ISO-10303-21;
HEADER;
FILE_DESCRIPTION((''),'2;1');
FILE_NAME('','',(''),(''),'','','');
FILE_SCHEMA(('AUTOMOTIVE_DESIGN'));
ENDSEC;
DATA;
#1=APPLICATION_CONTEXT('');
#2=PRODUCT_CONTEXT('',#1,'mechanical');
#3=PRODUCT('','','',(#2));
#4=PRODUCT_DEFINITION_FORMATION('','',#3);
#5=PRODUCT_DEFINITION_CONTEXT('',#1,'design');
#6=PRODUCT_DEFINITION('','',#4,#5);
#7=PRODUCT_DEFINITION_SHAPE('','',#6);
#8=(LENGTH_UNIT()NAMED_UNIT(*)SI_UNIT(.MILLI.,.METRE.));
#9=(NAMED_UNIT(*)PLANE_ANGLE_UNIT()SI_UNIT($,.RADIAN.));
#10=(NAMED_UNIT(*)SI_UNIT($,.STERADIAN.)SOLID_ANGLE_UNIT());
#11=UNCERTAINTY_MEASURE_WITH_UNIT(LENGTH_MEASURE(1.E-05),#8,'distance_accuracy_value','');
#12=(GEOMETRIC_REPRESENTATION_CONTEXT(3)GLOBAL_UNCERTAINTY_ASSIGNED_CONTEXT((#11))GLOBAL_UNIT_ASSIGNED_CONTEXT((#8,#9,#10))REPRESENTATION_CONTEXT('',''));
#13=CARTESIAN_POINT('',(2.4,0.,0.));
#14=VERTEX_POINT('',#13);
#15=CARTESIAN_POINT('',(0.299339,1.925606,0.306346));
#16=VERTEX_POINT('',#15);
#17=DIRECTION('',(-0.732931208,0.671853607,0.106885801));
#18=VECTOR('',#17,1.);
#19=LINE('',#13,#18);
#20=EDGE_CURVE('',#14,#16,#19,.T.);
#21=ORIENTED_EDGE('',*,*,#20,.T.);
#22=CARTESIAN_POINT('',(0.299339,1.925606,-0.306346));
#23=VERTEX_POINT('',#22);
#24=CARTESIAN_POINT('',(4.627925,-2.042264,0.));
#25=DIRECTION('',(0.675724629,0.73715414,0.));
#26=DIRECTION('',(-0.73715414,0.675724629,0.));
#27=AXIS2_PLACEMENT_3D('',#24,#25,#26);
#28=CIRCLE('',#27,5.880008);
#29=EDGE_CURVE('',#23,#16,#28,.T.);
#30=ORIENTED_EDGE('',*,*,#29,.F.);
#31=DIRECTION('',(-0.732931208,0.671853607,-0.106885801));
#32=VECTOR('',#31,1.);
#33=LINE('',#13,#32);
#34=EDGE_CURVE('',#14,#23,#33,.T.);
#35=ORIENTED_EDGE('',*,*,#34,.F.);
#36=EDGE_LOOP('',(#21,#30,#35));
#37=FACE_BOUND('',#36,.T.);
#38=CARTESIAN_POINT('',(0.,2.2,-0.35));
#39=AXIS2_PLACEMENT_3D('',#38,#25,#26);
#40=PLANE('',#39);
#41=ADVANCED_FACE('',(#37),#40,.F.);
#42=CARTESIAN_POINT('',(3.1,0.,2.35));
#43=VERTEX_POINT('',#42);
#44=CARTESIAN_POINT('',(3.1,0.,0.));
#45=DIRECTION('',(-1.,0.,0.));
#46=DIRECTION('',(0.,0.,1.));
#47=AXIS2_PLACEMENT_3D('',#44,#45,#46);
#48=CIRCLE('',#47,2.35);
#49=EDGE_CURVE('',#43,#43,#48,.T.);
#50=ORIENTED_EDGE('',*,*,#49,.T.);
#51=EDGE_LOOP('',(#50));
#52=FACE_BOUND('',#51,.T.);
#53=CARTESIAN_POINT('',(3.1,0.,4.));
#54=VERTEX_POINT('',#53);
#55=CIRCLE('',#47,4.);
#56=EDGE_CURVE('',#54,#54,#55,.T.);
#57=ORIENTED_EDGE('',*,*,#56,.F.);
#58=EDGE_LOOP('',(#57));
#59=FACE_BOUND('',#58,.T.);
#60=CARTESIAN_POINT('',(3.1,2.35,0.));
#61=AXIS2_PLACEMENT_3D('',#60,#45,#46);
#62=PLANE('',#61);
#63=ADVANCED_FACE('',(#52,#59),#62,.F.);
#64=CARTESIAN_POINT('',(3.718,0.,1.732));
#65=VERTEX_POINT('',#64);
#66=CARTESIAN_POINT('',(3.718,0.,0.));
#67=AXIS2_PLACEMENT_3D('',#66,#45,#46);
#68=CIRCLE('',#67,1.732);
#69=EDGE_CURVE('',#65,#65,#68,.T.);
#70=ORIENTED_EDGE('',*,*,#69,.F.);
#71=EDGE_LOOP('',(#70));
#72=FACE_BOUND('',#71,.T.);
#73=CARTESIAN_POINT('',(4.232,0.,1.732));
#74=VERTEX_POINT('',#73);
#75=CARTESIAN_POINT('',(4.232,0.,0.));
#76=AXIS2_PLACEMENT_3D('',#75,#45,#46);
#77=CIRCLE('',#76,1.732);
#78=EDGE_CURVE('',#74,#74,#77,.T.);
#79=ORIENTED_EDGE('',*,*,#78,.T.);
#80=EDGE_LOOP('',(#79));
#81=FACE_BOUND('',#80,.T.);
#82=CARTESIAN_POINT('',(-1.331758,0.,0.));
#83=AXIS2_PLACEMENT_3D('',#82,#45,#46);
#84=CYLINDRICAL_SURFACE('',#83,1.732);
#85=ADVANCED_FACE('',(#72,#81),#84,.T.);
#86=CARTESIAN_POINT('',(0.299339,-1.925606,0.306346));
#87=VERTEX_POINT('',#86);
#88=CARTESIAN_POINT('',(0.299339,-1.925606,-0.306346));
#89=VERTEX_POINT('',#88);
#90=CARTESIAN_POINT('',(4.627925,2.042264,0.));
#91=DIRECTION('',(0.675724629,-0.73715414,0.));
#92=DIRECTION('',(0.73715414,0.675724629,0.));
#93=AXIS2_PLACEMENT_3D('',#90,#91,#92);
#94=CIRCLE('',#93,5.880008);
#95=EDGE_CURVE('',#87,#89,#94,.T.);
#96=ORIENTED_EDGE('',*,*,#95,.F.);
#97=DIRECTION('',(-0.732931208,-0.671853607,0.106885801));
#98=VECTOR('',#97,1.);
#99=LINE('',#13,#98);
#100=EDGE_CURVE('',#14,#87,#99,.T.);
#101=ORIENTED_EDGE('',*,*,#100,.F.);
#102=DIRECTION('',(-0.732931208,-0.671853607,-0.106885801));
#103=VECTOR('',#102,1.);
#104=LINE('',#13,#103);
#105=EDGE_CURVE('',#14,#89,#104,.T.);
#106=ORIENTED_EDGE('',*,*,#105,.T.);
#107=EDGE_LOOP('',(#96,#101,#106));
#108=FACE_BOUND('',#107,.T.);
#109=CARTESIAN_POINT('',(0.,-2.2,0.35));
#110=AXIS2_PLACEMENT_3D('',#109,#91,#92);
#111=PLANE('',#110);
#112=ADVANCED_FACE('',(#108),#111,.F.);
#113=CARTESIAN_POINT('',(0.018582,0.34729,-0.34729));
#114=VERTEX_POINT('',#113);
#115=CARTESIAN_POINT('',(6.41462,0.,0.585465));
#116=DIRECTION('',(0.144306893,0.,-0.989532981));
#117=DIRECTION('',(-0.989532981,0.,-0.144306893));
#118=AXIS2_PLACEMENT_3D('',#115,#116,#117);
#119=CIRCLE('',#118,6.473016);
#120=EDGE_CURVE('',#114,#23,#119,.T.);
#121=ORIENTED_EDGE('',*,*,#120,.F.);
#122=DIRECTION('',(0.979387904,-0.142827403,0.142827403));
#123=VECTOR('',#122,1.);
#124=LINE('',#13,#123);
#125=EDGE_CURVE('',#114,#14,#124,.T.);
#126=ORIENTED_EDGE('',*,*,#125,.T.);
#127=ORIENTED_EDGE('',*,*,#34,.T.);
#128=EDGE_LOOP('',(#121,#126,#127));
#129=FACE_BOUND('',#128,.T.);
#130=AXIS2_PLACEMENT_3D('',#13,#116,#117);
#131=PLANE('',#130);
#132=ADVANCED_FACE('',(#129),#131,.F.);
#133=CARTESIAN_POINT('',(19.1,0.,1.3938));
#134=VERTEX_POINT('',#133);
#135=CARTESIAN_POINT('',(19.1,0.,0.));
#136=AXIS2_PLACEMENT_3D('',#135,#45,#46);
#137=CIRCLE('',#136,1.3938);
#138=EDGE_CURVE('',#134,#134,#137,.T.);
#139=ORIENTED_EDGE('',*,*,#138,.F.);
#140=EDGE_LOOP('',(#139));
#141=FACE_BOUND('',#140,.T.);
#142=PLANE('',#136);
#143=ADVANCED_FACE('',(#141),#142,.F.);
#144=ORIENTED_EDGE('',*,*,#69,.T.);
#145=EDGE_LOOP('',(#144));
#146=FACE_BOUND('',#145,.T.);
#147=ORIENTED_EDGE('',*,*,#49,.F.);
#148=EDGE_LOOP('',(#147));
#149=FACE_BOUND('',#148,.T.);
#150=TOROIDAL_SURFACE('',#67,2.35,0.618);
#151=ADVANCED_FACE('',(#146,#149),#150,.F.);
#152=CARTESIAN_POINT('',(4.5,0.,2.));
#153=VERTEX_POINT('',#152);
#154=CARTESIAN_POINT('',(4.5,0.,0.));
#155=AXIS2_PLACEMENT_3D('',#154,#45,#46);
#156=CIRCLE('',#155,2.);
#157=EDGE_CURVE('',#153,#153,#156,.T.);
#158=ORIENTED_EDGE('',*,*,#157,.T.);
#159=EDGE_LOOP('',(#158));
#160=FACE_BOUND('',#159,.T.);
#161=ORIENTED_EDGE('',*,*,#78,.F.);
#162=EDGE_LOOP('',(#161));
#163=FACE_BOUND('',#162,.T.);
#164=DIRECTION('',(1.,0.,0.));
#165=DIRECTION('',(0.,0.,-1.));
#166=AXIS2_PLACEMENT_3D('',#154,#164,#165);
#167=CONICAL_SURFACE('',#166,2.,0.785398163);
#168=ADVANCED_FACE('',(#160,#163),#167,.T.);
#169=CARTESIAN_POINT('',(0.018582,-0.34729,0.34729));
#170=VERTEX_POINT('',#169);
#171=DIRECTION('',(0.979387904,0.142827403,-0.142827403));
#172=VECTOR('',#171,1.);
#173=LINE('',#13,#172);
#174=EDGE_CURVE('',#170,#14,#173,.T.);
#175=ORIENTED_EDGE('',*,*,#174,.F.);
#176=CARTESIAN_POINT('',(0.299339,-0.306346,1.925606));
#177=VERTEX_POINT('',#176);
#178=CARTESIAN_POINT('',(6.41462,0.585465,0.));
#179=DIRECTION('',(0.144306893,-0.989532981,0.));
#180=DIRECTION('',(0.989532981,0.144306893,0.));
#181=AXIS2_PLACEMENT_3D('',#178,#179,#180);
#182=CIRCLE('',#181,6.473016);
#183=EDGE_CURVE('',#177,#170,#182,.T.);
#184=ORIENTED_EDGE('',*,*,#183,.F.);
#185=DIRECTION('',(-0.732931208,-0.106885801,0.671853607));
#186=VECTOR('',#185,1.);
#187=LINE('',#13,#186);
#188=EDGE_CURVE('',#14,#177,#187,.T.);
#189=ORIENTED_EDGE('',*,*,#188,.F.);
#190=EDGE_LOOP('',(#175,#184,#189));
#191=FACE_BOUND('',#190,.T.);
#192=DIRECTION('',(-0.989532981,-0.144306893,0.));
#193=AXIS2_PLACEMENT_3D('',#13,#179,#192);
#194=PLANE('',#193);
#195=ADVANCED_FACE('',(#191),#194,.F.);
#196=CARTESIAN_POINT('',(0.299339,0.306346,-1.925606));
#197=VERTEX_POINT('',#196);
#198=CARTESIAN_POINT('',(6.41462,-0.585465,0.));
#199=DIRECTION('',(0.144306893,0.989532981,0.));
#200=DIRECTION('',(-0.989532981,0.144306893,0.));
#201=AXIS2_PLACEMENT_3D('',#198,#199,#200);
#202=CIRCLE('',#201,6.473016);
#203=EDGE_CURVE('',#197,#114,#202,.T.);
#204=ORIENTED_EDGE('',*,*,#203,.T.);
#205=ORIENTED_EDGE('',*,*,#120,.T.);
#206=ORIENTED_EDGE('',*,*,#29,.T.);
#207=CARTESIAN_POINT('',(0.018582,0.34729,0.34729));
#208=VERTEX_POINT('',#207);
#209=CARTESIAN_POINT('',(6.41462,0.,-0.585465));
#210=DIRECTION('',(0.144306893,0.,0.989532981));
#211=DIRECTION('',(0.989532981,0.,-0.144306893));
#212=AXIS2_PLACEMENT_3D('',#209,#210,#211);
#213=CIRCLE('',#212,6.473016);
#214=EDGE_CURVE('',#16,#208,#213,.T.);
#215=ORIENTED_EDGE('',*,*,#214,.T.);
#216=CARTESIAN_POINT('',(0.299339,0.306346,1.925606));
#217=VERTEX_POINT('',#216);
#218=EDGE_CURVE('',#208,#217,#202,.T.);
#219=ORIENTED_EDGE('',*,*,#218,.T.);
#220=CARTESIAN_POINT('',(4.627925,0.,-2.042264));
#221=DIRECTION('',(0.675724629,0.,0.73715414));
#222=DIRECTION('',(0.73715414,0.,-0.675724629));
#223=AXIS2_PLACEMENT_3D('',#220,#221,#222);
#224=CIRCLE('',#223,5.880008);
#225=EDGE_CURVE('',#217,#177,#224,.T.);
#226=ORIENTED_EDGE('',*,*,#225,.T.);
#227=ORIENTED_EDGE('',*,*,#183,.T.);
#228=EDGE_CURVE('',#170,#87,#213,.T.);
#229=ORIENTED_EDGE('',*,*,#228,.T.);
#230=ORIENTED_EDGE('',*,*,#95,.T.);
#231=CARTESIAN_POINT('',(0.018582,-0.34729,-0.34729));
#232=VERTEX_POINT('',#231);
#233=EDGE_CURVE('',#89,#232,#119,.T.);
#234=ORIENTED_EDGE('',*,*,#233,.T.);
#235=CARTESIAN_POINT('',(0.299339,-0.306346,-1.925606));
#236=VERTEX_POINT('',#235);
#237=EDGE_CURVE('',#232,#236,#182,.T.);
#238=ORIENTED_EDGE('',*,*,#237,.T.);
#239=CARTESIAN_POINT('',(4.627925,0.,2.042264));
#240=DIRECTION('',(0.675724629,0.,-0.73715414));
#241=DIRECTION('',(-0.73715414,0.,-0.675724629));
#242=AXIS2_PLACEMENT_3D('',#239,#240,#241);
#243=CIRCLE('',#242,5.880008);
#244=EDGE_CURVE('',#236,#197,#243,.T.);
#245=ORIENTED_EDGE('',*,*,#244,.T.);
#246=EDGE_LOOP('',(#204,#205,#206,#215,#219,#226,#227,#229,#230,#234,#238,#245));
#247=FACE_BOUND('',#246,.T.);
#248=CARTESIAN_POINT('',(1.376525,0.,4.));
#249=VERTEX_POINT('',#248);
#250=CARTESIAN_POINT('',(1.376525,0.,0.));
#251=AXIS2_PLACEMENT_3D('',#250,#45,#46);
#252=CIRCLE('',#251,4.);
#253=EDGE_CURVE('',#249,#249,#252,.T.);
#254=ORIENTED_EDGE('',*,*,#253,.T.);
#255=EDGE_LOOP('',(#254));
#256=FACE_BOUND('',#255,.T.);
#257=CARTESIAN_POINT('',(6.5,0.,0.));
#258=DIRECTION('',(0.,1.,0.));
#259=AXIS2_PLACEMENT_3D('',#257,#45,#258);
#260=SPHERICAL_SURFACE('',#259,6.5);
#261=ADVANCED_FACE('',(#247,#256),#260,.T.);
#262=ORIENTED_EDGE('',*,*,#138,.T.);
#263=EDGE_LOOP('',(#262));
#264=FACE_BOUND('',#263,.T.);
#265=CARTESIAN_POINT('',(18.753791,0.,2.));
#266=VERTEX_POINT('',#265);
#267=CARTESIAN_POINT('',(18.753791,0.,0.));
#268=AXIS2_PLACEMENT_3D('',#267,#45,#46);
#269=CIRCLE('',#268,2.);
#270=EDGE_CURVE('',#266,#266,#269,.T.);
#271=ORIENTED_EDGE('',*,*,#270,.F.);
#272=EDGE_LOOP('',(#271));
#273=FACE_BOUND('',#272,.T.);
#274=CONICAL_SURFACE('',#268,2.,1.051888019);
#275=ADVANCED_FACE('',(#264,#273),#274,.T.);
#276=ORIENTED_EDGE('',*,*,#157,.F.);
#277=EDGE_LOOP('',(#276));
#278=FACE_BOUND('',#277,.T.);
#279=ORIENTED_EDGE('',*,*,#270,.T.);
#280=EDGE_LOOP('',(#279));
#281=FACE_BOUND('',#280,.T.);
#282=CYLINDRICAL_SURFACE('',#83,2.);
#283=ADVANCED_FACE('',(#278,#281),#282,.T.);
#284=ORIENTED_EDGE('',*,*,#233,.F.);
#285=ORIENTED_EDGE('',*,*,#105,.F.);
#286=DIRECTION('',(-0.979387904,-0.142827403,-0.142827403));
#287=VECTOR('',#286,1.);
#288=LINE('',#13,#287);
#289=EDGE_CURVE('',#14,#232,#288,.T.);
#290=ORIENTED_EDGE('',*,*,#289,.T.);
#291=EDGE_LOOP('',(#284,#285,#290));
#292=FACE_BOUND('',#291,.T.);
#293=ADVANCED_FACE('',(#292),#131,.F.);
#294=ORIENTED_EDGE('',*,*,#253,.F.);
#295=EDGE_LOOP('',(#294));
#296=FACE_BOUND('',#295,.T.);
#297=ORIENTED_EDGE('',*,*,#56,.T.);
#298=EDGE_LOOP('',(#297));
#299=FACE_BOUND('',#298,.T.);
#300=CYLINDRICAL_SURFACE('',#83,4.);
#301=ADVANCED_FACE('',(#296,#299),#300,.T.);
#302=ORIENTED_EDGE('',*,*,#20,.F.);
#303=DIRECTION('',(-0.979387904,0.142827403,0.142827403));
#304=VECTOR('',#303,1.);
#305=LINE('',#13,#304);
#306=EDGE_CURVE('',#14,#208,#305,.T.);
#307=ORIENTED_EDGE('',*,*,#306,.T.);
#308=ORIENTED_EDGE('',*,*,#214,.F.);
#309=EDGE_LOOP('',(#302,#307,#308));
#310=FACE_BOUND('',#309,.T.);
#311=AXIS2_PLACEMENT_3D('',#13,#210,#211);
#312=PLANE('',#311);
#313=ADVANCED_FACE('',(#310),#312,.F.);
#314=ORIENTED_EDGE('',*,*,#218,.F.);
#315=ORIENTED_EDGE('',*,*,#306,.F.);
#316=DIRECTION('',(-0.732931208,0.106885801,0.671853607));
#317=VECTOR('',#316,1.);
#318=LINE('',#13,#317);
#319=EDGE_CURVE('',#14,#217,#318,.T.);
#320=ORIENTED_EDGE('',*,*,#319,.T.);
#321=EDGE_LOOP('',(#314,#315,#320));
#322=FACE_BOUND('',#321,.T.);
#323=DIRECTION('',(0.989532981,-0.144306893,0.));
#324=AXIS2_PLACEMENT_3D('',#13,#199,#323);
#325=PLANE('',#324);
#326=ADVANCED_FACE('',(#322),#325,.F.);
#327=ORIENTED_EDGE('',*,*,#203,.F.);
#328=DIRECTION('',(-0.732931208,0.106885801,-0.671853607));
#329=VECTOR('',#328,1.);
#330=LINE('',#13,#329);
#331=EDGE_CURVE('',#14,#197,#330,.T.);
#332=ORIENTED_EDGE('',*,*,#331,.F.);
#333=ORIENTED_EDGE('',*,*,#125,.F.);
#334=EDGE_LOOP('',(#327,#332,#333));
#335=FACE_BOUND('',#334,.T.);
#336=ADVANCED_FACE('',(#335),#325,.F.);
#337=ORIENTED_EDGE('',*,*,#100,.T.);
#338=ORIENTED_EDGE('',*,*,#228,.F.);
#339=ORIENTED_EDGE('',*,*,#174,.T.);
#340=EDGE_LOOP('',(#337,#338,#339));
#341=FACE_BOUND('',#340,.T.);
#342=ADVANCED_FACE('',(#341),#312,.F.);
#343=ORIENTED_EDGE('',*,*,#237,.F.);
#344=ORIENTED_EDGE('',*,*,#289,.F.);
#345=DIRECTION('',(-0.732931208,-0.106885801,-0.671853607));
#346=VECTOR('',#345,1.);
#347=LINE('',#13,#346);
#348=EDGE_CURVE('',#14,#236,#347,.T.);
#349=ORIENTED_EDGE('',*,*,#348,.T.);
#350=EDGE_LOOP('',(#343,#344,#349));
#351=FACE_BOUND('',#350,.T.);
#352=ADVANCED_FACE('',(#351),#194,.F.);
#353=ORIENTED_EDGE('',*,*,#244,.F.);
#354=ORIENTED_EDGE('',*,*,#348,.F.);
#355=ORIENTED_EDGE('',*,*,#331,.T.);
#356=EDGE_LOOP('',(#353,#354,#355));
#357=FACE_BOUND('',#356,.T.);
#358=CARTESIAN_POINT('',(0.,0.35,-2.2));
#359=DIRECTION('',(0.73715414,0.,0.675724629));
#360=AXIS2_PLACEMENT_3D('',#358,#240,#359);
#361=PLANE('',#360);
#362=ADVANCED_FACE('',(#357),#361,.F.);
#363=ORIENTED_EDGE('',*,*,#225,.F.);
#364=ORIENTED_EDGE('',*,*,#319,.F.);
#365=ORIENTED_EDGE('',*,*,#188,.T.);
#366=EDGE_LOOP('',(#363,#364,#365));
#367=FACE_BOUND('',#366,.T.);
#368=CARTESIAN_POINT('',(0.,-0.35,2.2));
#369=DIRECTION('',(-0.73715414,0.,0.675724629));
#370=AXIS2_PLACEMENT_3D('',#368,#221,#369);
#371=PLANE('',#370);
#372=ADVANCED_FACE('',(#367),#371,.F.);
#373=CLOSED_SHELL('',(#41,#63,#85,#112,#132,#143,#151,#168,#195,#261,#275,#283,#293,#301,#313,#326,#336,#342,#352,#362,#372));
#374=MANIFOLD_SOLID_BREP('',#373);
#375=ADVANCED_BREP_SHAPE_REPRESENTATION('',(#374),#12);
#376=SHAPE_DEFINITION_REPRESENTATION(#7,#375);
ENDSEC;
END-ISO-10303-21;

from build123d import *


with BuildPart() as part:
    # 草图2 → Revolve 815 (revolve)
    with BuildSketch(Plane.XY, mode=Mode.PRIVATE) as revolve_815_sk:
        with BuildLine():
            Line((0, 0), (19.1, 0))
            Line((19.1, 0), (19.1, 2))
            Line((19.1, 2), (4.5, 2))
            Line((4.5, 2), (4.232, 1.732))
            Line((4.232, 1.732), (3.718, 1.732))
            ThreePointArc((3.718, 1.732), (3.281008009, 1.913008009), (3.1, 2.35))
            Line((3.1, 2.35), (3.1, 4))
            Line((3.1, 4), (1.376524617, 4))
            ThreePointArc((1.376524617, 4), (0.353757652, 2.115113473), (0, 0))
        make_face()
    revolve(revolve_815_sk.sketch.rotate(Axis((-1.331757704, 0, 0), (1, 0, 0)), 90), axis=Axis((-1.331757704, 0, 0), (1, 0, 0)))

    # 草图3 → 切除-旋转1 (revolve, cut)
    with BuildSketch(Plane.XY, mode=Mode.PRIVATE) as cut_revolve_1_sk:
        Polygon((18.753791204, 2), (19.453791204, 2), (19.1, 1.3938), align=None)
    revolve(cut_revolve_1_sk.sketch.rotate(Axis((-0.242766179, 0, 0), (1, 0, 0)), 90), axis=Axis((-0.242766179, 0, 0), (1, 0, 0)), mode=Mode.SUBTRACT)

    # 草图5 → 切除-放样1 section 0
    with BuildSketch(Plane(origin=(0, 0, 0), x_dir=(0, 0, -1), z_dir=(1, 0, 0)), mode=Mode.PRIVATE) as loft_1_s0:
        with BuildLine():
            Line((0.35, 2.2), (-0.35, 2.2))
            Line((-0.35, 2.2), (-0.35, -2.2))
            Line((-0.35, -2.2), (0.35, -2.2))
            Line((0.35, -2.2), (0.35, 2.2))
        make_face()
    loft_1 = loft([Vertex(2.4, 0, 0), loft_1_s0.sketch], mode=Mode.SUBTRACT)

    # 镜向1: 切除-放样1 across plane
    add(loft_1.mirror(Plane(origin=(0, 0, 0), x_dir=(0, 0.7071067811865462, 0.7071067811865488), z_dir=(0, -0.7071067811865488, 0.7071067811865462))), mode=Mode.SUBTRACT)


solid = part.part
